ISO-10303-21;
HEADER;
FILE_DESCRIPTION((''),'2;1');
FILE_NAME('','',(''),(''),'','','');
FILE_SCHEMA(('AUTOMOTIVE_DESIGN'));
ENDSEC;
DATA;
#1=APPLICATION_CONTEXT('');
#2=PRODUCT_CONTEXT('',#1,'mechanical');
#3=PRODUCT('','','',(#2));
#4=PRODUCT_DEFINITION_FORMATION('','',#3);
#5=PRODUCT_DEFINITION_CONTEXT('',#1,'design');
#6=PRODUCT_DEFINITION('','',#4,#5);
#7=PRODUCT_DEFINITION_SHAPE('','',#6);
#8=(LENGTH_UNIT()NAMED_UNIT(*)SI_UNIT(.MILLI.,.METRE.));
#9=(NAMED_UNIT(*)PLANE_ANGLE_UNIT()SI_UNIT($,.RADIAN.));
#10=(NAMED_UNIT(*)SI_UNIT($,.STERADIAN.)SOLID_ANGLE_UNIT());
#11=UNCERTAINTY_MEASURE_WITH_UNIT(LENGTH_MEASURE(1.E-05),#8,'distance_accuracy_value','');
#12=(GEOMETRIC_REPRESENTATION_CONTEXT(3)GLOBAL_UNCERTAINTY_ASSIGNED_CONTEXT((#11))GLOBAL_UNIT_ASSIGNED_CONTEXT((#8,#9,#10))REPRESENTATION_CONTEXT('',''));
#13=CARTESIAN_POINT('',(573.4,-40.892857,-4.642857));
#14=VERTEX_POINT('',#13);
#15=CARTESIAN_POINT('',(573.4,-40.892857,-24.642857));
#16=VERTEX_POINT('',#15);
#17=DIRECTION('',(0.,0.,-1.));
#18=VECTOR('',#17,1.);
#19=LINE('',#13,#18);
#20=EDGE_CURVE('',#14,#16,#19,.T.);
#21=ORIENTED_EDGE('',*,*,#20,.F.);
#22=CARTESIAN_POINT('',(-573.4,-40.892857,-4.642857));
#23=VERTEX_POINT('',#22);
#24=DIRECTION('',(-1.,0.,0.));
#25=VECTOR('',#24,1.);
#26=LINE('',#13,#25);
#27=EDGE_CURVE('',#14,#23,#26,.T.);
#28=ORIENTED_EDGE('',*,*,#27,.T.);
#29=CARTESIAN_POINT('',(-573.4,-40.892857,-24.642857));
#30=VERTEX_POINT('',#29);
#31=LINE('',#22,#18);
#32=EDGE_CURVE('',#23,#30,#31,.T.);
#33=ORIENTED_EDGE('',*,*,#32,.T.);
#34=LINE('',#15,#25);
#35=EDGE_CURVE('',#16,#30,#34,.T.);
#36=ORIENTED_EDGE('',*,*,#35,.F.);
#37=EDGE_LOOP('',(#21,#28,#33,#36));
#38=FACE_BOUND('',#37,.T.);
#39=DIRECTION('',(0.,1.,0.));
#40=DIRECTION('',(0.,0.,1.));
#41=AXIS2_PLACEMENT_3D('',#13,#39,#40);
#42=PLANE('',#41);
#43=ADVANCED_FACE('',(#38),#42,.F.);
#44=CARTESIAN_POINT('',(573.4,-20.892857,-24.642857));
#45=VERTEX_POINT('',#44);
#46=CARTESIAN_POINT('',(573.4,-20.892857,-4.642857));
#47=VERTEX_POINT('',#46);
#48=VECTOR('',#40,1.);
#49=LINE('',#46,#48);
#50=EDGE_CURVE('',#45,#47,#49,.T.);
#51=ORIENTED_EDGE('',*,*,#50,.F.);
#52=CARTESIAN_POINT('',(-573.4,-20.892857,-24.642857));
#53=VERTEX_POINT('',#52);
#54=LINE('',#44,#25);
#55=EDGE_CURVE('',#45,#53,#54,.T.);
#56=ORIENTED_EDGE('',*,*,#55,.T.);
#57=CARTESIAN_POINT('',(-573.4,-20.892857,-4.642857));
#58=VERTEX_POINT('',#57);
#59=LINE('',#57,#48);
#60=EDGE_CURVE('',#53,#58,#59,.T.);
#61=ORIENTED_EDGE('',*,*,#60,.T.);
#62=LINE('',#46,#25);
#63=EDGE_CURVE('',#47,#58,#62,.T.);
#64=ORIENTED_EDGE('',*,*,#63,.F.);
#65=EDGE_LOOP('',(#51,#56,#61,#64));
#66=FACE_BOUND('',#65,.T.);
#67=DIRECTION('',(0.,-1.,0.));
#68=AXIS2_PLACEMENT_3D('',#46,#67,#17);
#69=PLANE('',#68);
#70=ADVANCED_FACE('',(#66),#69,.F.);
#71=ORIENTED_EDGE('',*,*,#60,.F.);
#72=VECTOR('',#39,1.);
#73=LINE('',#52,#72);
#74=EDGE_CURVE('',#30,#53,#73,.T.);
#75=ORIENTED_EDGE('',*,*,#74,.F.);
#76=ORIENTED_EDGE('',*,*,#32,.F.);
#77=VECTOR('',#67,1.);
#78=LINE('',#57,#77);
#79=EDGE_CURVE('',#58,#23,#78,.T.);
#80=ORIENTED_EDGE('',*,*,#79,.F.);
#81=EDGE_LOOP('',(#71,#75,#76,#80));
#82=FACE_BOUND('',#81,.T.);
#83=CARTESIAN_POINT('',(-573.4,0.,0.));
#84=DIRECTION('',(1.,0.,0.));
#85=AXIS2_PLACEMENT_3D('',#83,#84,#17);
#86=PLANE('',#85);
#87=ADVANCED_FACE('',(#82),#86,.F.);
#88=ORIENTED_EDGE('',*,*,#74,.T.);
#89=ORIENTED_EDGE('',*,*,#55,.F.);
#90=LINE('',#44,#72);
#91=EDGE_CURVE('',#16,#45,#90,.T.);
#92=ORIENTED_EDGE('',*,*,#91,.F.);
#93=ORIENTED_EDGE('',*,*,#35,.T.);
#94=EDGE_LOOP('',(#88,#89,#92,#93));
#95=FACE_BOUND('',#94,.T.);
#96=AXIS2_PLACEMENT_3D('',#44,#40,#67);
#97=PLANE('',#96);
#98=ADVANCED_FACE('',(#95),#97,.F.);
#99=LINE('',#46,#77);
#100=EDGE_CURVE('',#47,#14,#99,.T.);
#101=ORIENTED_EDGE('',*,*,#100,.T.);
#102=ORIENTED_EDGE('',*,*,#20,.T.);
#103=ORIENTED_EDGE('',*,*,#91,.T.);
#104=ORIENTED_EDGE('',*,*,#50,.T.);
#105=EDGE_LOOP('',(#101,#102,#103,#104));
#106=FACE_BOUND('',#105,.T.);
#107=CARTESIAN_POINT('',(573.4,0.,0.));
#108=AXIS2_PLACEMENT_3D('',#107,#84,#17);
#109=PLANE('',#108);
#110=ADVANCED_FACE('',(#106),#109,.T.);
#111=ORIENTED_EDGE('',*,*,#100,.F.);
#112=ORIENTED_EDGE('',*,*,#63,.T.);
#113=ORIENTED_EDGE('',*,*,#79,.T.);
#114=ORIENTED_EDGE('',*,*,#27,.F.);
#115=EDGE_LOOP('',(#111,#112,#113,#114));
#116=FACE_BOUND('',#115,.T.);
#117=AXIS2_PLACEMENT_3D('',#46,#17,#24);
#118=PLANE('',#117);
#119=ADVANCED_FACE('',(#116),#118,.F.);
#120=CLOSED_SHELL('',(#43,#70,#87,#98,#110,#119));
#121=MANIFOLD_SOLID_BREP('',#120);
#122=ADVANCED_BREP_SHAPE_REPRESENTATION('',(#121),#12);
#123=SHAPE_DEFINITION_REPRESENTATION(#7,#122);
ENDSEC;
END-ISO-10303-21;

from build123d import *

# Parameters (mm, degrees)
SKETCH1_W           = 20
SKETCH1_H           = 20
BOSS_EXTRUDE1_DEPTH = 573.4


with BuildPart() as part:
    # Sketch1 → Boss-Extrude1 (new, symmetric)
    with BuildSketch(Plane(origin=(0, 0, 0), x_dir=(0, 0, -1), z_dir=(1, 0, 0))):
        with Locations((14.642857143, -30.892857143)):
            Rectangle(SKETCH1_W, SKETCH1_H)
    extrude(amount=BOSS_EXTRUDE1_DEPTH, both=True)


solid = part.part
